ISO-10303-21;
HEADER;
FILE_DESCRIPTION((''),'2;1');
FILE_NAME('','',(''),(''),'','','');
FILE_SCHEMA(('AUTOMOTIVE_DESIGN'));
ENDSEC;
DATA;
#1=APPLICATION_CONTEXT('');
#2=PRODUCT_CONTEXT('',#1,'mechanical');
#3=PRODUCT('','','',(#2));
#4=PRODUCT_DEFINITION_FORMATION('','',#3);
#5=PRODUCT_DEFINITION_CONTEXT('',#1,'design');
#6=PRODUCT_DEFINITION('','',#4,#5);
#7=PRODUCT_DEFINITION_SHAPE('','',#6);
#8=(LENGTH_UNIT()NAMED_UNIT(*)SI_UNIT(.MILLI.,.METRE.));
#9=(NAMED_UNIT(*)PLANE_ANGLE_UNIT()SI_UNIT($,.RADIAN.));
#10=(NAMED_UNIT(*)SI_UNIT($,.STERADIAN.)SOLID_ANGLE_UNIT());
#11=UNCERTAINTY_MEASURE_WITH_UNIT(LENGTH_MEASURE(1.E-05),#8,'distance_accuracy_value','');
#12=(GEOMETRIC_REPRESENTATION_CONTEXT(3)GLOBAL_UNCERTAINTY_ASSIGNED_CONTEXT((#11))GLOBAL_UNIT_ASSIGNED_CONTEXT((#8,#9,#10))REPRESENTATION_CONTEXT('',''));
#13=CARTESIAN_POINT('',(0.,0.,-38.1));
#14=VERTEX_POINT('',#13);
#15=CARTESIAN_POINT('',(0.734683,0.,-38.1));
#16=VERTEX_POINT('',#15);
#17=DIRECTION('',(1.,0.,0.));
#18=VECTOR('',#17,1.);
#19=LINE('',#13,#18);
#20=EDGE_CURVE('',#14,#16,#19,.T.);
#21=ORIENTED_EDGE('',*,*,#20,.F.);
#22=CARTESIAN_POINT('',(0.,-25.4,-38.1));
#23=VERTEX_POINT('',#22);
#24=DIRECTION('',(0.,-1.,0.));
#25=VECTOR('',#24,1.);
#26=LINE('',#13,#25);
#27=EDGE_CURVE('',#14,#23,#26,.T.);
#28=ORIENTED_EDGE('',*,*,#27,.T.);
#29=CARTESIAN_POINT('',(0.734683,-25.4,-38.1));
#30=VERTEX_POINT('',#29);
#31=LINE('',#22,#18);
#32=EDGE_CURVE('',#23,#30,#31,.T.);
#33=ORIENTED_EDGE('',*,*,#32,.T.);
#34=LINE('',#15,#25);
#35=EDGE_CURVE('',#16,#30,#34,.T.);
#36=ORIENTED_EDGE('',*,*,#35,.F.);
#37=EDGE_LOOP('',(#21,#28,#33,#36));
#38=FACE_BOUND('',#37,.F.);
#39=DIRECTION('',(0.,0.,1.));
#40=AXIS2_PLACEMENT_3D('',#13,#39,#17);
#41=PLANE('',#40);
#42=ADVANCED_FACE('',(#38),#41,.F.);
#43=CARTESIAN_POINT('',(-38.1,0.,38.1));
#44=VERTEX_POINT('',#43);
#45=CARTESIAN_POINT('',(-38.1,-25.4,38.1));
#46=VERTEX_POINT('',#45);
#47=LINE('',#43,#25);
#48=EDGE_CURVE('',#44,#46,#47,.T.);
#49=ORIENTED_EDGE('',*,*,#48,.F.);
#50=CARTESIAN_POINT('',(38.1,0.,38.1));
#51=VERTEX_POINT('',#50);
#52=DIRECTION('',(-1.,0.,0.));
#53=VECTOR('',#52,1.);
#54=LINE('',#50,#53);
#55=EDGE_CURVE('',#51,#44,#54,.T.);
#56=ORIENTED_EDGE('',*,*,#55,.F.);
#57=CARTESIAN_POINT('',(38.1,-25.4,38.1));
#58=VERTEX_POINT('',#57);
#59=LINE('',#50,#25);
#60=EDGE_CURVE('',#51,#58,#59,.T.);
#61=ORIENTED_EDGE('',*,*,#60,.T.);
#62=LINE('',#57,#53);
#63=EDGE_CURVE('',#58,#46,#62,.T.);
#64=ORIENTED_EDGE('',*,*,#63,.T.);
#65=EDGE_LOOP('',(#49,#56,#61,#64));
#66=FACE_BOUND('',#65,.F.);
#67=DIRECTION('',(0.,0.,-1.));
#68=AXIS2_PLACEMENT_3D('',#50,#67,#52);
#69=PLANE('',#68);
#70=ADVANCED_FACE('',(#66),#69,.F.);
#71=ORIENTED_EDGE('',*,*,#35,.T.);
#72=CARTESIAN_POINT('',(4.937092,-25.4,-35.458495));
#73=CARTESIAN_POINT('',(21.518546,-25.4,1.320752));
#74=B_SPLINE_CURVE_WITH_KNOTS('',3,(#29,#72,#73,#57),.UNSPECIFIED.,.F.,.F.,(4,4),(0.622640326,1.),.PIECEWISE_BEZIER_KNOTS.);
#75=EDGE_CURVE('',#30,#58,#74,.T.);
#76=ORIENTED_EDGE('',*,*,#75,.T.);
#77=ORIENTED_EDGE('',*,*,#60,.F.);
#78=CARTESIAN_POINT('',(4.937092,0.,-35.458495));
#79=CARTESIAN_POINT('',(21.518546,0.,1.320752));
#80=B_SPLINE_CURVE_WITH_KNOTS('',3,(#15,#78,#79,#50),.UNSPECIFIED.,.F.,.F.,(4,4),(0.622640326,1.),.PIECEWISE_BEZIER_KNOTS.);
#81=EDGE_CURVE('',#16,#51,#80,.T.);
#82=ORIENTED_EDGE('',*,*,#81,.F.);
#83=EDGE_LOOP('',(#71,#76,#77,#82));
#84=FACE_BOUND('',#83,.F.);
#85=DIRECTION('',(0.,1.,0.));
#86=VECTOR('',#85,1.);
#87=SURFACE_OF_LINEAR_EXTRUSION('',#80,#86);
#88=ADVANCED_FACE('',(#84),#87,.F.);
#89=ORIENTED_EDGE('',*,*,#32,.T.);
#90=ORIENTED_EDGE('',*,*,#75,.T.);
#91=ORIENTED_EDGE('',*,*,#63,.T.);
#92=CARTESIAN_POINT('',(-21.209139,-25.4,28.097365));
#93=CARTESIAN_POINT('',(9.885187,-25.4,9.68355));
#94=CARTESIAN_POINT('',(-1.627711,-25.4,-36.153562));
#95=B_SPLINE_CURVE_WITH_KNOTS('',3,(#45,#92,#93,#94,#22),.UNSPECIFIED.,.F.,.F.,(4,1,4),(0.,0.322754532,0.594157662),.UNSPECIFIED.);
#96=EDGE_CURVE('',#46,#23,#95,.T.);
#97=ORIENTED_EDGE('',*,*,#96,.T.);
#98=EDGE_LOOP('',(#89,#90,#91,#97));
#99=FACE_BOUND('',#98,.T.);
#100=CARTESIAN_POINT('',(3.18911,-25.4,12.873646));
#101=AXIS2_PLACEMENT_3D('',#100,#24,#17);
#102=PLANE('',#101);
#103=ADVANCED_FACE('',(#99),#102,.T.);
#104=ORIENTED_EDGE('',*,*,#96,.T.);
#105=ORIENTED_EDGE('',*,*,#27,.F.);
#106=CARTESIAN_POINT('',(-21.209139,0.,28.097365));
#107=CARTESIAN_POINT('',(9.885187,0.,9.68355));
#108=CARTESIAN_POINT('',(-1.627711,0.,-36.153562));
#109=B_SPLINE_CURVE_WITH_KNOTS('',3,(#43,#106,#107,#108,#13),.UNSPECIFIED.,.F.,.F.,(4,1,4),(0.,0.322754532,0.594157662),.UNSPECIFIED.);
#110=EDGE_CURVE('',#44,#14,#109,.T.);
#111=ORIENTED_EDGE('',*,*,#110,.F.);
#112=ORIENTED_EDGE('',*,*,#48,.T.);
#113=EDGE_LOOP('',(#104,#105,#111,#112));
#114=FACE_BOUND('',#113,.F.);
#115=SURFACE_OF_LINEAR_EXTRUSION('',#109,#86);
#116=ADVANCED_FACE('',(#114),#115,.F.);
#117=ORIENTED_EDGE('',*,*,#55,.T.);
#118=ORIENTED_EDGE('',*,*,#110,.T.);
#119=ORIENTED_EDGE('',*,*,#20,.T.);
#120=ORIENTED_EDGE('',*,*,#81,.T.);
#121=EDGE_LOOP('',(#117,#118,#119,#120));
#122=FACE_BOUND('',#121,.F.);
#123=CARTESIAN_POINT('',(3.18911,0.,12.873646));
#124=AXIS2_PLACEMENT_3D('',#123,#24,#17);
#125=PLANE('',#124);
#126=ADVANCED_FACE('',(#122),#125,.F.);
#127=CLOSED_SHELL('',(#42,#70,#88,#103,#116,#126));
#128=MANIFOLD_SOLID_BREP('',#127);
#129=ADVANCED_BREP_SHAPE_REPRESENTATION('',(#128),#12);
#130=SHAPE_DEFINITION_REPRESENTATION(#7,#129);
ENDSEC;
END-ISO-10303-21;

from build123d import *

# Parameters (mm, degrees)
F1_DEPTH = 25.4


with BuildPart() as f1:
    # F0 (on Front) → F1 (new body)
    with BuildSketch(Plane.XZ):
        with BuildLine():
            Line((0, -38.1), (0.7346833614, -38.1))
            add(Edge.make_bspline(
                [(0.7346833614, -38.1), (4.9370923311, -35.4584951791), (21.5185461656, 1.3207524104), (38.1, 38.1)],
                knots=[0.6226403256, 0.6226403256, 0.6226403256, 0.6226403256, 1, 1, 1, 1], degree=3))
            Line((38.1, 38.1), (-38.1, 38.1))
            add(Edge.make_bspline(
                [(-38.1, 38.1), (-21.2091388354, 28.097364905), (9.8851869331, 9.6835498154), (-1.6277106187, -36.1535619112), (0, -38.1)],
                knots=[0, 0, 0, 0, 0.3227545323, 0.5941576615, 0.5941576615, 0.5941576615, 0.5941576615], degree=3))
        make_face()
    extrude(amount=F1_DEPTH)


solid = f1.part
